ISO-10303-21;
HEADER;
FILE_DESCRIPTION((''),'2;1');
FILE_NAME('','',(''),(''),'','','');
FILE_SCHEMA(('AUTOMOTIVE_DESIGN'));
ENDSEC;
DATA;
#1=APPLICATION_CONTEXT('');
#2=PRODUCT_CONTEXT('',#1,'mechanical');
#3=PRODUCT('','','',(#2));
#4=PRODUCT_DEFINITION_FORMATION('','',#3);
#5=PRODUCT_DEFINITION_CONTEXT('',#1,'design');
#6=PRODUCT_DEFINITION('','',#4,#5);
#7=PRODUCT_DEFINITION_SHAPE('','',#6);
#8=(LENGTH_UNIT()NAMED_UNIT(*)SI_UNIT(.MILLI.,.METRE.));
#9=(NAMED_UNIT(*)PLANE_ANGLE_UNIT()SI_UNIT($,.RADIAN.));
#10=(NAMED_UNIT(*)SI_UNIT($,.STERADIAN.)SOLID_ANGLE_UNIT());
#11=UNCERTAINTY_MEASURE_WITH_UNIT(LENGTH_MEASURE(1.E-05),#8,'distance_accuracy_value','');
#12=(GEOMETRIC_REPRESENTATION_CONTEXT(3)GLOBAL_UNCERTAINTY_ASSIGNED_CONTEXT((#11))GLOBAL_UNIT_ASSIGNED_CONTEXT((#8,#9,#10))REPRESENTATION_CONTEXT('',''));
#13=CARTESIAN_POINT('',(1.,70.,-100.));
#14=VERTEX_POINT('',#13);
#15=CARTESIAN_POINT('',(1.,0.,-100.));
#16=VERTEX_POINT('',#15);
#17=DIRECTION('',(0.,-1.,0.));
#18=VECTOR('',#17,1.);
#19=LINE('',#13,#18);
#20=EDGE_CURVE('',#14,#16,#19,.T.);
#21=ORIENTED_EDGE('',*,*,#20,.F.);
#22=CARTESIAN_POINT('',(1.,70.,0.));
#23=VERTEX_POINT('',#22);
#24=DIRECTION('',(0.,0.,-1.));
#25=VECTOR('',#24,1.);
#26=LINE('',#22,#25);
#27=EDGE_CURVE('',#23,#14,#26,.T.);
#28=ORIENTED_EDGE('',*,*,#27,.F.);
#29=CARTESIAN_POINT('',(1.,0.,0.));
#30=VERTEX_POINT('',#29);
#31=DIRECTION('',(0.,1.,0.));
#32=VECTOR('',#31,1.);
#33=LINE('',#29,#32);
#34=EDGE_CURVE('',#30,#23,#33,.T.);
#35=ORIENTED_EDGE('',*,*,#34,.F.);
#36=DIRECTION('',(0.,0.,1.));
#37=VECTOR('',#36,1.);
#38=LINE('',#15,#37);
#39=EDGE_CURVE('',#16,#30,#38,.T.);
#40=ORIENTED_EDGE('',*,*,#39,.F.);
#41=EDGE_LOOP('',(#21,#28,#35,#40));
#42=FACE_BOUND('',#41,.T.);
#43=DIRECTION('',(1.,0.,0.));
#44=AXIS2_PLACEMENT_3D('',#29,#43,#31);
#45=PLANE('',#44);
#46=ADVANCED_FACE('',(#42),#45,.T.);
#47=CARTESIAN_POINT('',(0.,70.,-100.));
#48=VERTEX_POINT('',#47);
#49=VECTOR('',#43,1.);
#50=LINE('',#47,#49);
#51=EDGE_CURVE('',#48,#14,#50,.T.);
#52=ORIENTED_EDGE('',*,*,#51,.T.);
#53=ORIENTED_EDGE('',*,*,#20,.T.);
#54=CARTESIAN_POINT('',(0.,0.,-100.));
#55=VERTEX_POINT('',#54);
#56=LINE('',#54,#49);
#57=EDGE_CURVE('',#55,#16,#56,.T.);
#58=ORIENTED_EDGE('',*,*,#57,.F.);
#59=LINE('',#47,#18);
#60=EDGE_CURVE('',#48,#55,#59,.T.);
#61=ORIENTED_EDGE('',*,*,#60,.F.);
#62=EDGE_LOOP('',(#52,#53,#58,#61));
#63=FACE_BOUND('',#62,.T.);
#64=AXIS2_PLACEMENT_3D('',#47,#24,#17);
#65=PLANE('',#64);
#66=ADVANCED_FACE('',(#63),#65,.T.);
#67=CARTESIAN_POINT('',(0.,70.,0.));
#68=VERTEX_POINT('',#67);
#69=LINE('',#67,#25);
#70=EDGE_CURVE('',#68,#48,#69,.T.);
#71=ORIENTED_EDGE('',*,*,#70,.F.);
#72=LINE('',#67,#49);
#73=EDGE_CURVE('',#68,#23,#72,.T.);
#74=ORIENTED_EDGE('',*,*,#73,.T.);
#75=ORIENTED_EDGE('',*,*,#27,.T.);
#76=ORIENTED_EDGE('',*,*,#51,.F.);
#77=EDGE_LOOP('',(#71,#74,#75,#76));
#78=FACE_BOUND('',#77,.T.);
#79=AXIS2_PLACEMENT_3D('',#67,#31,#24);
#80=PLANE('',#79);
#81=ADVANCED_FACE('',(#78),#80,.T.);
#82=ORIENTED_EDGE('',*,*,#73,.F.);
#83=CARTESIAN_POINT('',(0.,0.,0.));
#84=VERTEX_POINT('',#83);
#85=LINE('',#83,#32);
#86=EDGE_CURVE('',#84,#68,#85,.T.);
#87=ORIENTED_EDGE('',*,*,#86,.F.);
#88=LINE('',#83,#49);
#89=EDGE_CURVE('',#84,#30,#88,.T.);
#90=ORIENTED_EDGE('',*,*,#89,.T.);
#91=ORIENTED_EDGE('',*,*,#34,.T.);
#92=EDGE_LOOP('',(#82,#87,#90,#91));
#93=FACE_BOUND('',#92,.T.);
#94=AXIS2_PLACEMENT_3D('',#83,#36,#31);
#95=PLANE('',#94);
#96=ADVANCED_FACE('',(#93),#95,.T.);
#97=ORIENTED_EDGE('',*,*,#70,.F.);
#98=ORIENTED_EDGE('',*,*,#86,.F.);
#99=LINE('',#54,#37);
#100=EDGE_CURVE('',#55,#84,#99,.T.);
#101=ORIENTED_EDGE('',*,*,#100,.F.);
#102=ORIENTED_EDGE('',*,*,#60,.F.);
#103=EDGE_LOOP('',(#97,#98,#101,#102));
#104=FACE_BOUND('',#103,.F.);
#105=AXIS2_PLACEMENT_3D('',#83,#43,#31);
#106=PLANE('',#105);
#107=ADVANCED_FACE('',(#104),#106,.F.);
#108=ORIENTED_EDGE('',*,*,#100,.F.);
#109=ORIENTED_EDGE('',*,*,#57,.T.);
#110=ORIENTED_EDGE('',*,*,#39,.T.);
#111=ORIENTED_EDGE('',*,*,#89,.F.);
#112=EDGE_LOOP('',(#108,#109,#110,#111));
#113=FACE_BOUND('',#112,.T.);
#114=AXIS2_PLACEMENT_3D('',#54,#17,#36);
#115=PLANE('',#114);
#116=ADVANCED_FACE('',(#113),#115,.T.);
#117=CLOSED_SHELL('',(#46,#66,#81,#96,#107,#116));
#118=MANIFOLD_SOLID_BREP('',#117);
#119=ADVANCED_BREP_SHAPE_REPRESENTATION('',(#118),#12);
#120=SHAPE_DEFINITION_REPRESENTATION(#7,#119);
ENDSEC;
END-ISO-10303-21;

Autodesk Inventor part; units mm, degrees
ref_plane "YZ Plane" through (0, 0, 0) normal (1, 0, 0) x (0, 1, 0)
ref_plane "XZ Plane" through (0, 0, 0) normal (0, 1, 0) x (-1, 0, 0)
ref_plane "XY Plane" through (0, 0, 0) normal (0, 0, 1) x (1, 0, 0)
sketch "Sketch1" plane through (0, 0, 0) normal (1, 0, 0) x (0, 1, 0)
  line L0 (0, 0) -> (70, 0)
  line L1 (70, 0) -> (70, -100)
  line L2 (70, -100) -> (0, -100)
  line L3 (0, -100) -> (0, 0)
  dimension "d0" = 70
  dimension "d1" = 100
extrude "Extrusion1" add sketch "Sketch1" along normal blind 1
properties part number "ConstructPlate2"
